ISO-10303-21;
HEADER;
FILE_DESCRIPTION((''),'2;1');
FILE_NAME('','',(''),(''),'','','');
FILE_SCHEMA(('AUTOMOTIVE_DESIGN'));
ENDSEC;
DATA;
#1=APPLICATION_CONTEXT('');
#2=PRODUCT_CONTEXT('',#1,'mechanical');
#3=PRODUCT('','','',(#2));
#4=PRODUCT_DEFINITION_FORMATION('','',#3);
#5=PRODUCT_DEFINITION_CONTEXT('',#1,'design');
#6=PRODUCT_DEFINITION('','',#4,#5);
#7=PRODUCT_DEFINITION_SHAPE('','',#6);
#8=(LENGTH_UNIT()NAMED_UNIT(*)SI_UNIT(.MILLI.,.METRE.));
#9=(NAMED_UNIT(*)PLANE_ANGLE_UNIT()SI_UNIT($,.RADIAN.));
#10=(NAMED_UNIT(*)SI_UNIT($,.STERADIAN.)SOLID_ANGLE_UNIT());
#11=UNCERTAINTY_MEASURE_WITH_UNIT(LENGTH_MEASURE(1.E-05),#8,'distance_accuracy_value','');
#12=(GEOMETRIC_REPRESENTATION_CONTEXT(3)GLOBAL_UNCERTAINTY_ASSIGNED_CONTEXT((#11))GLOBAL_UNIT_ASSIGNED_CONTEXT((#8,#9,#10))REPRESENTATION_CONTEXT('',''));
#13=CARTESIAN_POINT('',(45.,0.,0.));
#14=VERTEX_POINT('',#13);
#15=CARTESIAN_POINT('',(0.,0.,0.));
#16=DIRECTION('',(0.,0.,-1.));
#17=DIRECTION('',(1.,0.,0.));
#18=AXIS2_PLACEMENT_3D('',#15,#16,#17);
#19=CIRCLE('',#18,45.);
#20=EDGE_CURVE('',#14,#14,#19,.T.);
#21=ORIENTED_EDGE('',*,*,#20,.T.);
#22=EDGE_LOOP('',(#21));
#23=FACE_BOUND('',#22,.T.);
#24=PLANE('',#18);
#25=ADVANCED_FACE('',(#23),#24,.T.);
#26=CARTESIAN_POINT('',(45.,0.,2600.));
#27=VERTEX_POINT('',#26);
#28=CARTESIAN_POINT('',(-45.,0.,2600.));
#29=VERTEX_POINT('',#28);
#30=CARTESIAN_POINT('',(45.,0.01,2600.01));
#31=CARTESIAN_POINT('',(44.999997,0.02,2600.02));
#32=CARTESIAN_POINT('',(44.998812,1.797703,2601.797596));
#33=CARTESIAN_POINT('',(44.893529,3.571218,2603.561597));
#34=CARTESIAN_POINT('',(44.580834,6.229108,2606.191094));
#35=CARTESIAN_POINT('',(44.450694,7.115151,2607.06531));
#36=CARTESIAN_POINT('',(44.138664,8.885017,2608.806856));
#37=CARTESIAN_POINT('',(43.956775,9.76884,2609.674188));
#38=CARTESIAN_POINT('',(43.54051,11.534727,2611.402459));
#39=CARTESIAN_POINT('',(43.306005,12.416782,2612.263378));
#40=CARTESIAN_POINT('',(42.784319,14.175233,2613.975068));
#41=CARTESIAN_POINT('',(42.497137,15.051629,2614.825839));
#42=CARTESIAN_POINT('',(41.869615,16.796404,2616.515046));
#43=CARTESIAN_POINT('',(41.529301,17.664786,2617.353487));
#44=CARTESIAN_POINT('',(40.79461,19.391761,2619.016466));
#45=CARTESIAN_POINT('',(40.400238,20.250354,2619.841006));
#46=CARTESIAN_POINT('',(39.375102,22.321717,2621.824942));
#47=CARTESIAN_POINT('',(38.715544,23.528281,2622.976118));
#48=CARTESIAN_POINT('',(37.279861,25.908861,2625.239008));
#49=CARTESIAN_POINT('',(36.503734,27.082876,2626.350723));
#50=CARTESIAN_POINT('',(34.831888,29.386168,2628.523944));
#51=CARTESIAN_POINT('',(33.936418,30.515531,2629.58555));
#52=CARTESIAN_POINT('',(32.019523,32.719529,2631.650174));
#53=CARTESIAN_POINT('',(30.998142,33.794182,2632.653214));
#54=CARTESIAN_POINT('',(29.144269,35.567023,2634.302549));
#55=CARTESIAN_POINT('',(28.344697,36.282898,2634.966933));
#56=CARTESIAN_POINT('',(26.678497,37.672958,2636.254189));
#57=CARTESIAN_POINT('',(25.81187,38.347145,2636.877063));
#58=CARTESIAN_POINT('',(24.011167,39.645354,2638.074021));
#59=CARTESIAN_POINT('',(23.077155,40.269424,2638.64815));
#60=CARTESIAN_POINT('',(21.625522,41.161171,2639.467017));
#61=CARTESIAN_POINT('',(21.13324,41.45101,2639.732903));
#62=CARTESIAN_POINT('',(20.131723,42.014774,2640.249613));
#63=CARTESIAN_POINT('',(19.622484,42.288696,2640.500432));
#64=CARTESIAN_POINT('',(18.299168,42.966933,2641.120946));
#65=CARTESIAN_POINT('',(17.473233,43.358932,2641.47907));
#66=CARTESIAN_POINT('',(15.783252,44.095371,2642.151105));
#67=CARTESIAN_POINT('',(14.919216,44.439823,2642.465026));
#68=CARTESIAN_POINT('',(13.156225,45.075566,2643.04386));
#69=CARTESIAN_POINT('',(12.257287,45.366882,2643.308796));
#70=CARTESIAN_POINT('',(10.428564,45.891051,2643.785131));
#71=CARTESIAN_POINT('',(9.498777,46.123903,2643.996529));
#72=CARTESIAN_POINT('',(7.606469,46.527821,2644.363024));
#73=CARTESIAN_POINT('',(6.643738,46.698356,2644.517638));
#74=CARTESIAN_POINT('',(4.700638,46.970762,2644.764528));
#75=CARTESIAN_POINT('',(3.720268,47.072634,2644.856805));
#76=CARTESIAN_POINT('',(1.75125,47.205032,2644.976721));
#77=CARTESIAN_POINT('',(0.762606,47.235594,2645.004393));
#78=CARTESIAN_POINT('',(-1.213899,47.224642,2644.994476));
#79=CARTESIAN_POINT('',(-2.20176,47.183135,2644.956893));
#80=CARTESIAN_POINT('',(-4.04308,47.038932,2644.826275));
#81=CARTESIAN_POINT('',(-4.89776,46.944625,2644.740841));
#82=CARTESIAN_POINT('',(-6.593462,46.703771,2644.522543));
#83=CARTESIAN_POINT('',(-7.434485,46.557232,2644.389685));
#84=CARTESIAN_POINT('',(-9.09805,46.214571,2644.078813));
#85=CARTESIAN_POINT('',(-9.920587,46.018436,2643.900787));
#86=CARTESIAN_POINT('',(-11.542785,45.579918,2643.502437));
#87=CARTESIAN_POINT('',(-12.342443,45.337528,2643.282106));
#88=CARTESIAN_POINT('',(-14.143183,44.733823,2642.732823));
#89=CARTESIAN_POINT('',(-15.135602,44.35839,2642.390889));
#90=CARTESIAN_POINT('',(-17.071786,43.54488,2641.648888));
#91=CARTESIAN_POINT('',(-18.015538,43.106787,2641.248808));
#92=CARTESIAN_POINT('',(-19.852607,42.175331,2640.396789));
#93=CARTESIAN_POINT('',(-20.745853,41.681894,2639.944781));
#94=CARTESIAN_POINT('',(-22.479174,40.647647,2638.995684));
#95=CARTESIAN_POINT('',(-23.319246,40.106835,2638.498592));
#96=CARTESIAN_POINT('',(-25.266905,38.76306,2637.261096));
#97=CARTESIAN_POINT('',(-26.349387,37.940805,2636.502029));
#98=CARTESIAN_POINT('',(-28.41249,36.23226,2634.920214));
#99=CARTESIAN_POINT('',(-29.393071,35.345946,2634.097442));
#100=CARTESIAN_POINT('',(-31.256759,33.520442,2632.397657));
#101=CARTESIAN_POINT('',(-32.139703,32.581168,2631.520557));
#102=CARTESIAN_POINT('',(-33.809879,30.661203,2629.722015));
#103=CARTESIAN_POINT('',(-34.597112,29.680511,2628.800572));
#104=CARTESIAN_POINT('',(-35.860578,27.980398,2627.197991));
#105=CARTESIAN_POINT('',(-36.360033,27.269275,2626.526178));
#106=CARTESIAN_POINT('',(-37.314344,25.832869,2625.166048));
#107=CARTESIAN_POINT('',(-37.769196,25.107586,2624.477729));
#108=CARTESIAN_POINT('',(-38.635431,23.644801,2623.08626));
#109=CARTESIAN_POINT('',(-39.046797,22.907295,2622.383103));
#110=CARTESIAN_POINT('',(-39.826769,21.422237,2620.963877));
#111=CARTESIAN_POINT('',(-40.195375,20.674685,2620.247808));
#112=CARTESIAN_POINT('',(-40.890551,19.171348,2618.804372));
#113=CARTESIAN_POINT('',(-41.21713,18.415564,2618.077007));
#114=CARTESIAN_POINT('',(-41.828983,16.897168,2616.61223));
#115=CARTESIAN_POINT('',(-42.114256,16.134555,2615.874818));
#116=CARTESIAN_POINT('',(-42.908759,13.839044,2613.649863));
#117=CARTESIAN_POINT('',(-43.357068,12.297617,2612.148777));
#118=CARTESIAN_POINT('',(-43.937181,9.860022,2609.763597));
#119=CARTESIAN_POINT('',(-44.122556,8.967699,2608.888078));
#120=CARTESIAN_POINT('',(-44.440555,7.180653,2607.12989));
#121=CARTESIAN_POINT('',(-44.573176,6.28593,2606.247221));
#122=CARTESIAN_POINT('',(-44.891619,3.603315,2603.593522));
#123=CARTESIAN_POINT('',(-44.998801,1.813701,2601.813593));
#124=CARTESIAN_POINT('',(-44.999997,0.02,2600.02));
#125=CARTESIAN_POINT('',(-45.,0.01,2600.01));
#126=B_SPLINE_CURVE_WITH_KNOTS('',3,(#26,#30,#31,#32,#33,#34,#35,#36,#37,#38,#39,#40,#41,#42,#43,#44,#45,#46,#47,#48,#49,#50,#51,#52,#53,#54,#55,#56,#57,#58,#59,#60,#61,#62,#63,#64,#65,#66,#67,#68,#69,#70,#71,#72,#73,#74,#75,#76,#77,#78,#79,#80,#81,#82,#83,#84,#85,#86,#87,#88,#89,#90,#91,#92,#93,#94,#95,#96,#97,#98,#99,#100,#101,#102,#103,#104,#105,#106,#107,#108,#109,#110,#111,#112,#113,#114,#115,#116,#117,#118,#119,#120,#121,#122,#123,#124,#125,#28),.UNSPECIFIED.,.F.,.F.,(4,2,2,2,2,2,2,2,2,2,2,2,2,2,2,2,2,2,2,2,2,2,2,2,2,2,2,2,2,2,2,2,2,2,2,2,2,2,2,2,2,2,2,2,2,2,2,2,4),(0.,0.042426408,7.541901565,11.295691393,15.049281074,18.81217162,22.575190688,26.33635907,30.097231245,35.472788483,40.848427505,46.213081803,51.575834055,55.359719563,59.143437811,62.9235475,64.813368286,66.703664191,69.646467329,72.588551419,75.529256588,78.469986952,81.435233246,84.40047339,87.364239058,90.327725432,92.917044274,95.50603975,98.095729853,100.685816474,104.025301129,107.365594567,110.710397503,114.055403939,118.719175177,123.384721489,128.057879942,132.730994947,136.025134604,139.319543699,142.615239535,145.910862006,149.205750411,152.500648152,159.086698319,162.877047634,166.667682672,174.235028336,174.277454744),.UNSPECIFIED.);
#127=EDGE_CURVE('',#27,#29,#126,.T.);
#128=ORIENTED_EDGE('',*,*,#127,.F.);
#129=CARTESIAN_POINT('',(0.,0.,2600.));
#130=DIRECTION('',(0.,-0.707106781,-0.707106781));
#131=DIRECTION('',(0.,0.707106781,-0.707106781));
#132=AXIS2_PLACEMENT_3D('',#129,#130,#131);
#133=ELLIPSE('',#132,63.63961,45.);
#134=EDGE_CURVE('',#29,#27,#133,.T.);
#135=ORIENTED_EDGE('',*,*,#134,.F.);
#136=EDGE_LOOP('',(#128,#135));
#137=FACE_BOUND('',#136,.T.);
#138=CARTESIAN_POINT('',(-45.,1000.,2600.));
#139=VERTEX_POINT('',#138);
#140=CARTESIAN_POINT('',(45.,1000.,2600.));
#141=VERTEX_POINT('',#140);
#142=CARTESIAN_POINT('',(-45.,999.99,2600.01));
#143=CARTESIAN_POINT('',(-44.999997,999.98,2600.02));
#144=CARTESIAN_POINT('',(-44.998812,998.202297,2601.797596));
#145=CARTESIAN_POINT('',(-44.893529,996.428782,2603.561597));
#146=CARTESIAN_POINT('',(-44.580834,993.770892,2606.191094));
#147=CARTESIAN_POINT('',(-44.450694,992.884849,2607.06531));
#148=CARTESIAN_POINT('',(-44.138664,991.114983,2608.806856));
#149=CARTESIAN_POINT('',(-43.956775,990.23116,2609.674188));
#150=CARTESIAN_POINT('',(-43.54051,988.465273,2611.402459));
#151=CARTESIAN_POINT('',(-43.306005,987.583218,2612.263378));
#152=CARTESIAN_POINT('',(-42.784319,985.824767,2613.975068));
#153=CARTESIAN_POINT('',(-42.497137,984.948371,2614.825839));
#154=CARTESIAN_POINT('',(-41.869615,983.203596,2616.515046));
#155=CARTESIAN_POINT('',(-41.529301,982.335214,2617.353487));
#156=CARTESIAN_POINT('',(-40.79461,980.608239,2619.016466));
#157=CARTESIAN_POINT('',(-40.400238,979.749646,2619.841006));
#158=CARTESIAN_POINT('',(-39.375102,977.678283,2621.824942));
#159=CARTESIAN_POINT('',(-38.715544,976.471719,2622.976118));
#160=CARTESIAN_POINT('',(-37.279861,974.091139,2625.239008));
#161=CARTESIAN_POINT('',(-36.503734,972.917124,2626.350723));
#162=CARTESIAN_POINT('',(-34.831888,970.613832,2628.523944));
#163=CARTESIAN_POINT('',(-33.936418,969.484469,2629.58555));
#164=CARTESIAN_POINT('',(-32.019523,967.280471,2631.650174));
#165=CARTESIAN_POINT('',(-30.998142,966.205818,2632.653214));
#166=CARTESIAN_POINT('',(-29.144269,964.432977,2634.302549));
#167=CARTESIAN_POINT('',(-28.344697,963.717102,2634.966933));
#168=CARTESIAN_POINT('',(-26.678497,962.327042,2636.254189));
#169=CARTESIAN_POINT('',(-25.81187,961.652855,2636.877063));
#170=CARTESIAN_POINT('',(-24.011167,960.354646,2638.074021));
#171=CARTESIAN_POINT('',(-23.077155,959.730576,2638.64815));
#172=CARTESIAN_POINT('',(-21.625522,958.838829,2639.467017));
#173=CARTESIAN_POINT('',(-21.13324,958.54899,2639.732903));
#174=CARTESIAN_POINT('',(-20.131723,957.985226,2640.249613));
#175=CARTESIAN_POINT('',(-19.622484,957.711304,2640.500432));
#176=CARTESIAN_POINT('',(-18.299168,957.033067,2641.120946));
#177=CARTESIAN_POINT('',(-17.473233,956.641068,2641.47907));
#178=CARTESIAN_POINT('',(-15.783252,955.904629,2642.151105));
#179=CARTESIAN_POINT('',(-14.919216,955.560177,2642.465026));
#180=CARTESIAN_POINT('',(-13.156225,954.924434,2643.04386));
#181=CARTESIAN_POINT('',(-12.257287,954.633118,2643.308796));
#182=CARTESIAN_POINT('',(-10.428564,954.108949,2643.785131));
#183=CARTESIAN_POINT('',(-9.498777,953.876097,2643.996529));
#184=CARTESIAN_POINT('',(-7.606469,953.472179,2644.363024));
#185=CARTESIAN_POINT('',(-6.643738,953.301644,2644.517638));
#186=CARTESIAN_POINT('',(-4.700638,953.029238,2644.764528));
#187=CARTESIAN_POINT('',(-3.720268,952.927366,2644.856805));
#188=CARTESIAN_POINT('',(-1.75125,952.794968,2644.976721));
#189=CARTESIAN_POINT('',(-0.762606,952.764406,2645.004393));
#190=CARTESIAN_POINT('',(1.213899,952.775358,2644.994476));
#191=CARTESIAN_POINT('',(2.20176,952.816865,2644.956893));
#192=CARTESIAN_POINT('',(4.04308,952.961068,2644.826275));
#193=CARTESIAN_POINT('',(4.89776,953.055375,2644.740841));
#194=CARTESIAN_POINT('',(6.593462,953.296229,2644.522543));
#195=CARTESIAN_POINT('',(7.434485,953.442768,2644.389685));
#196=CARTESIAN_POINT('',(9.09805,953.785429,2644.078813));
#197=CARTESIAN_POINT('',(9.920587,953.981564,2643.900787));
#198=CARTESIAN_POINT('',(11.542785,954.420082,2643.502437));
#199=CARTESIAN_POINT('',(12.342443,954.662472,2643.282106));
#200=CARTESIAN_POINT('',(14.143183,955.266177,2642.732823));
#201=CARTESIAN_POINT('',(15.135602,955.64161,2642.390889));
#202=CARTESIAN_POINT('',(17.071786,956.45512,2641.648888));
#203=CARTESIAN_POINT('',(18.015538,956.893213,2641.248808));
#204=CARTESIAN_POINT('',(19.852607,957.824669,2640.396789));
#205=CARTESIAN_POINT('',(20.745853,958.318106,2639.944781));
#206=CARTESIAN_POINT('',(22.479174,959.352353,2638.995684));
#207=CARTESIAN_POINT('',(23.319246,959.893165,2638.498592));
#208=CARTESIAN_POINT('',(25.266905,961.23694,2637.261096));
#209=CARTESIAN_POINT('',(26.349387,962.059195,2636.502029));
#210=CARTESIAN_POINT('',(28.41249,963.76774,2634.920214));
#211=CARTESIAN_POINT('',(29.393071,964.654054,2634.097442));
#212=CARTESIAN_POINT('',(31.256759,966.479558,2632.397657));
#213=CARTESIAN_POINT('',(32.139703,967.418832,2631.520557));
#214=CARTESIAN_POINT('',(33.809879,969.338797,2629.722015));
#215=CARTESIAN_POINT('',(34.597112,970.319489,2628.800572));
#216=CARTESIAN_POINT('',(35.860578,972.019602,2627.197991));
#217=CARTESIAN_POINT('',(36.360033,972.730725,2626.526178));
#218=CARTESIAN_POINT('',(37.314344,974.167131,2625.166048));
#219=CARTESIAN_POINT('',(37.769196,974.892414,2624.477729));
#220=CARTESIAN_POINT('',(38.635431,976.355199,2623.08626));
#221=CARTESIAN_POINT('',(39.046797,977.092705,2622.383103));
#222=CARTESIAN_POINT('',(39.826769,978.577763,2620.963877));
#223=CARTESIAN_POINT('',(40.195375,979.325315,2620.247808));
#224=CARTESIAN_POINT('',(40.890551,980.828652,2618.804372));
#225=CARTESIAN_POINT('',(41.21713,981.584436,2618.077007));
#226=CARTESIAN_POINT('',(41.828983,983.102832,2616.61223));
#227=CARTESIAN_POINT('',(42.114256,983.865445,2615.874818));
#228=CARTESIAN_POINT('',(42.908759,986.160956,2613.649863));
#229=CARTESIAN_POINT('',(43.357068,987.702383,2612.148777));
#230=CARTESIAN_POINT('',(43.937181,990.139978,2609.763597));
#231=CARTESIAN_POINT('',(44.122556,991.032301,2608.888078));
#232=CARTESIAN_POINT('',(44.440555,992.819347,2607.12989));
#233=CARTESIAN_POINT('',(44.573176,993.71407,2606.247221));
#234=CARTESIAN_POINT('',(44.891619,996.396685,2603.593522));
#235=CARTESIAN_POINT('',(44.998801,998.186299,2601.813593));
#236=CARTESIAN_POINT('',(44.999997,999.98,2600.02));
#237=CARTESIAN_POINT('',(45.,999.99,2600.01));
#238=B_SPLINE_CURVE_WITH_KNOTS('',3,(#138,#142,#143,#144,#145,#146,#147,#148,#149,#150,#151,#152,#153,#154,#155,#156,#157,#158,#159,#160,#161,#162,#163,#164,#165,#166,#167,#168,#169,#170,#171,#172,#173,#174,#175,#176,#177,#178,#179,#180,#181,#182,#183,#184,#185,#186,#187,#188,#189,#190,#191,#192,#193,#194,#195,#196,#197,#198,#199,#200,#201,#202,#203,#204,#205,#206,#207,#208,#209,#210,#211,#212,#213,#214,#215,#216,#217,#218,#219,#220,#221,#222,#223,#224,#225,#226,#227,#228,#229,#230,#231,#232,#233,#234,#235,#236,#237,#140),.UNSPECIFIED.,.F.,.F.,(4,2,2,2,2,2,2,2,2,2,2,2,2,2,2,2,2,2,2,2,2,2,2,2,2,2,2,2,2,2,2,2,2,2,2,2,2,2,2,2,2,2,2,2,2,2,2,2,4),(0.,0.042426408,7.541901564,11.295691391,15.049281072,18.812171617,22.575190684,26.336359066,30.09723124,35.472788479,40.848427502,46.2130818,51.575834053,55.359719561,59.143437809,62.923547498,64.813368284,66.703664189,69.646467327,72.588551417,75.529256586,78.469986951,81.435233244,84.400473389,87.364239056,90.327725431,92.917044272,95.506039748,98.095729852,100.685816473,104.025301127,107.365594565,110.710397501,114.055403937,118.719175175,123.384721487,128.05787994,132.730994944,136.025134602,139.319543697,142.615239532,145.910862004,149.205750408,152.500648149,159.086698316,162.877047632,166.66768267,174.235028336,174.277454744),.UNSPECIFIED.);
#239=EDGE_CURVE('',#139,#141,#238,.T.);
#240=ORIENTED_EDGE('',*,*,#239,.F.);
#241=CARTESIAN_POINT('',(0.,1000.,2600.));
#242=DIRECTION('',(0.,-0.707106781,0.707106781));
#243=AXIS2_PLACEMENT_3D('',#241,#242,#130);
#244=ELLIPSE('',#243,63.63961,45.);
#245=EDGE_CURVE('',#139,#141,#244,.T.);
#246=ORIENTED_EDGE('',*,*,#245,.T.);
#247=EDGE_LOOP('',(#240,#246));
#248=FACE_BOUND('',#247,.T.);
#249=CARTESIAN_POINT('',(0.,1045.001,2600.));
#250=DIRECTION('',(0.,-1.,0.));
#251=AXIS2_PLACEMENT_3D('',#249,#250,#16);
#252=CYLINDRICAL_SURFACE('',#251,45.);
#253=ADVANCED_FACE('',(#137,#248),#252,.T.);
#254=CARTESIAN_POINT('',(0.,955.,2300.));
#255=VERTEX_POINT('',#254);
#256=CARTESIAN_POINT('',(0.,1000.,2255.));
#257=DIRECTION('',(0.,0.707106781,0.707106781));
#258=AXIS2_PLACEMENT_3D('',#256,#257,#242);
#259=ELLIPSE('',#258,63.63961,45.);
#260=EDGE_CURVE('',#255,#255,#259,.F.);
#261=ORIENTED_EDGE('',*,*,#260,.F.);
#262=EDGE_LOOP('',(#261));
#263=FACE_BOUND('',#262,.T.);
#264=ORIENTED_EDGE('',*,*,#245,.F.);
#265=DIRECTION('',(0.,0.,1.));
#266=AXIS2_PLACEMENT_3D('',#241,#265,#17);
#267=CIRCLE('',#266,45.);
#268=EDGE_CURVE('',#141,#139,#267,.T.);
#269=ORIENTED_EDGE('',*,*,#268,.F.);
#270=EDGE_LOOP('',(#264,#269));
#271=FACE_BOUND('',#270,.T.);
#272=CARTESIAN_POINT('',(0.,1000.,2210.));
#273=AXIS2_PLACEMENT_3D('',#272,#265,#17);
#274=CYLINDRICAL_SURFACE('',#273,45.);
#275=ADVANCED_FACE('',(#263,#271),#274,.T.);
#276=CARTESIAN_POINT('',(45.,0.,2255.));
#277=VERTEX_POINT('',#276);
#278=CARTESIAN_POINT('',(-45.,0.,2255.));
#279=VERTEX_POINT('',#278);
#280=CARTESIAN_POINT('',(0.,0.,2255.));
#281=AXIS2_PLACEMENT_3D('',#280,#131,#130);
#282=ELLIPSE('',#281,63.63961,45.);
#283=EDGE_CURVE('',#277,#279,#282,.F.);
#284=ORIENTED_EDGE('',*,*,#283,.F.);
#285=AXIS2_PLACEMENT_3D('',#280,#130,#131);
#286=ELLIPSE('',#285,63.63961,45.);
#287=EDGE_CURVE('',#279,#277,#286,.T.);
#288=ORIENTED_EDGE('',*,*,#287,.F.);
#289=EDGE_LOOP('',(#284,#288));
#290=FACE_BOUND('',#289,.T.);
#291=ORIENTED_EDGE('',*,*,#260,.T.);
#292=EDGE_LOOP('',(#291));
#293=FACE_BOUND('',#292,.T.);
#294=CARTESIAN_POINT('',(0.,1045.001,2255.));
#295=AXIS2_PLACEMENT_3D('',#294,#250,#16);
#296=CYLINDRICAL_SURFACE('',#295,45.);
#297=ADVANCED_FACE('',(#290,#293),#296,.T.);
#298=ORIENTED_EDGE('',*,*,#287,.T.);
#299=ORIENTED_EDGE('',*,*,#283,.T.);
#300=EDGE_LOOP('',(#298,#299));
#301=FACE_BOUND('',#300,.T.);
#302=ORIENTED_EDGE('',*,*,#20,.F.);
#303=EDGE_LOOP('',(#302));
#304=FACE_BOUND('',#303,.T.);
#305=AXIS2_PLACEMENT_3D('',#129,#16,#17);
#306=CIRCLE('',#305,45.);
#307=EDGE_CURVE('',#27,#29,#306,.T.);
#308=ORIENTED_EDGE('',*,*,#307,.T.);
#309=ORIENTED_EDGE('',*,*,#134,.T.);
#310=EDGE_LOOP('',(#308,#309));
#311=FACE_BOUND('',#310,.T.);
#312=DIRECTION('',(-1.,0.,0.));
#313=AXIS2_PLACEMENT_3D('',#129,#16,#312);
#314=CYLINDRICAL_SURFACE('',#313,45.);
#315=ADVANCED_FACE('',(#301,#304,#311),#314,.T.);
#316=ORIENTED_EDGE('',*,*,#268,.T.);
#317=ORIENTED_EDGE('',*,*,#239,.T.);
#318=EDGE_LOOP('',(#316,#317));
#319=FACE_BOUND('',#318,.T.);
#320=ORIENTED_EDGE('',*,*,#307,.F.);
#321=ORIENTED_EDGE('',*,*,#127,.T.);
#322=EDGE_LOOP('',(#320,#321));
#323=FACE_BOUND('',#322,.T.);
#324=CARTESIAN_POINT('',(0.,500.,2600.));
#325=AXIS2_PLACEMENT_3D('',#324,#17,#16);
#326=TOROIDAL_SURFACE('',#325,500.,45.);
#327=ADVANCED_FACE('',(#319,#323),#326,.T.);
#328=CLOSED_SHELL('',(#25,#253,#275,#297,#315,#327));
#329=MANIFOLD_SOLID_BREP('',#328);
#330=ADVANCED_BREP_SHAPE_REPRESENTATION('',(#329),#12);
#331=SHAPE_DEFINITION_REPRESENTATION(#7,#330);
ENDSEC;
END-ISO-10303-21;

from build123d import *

# Parameters (mm, degrees)
SWEEP1_PROFILE_R        = 45
CUT_EXTRUDE1_DEPTH      = 3315.373998336
CUT_EXTRUDE1_DEPTH_BACK = 3315.373998336
BOSS_EXTRUDE1_REACH     = 3316.374
SKETCH8_R               = 45


with BuildPart() as part:
    # Sweep1: sweep along a path in Sketch1
    with BuildLine(Plane.YZ) as sweep1_path:
        Line((0, 0), (0, 2600))
        ThreePointArc((0, 2600), (500, 3100), (1000, 2600))
        Line((1000, 2600), (1000, 2210))
    # Sweep1 profile (on start of the path) → Sweep1 (sweep)
    with BuildSketch(Plane.XY):
        Circle(SWEEP1_PROFILE_R)
    sweep(path=sweep1_path.line)

    # Sketch9 → Cut-Extrude1 (cut, two sides: drawn at the far end of the back side and taken through both)
    with BuildSketch(Plane.YZ.offset(-CUT_EXTRUDE1_DEPTH_BACK)):
        Polygon((1045, 2210), (955, 2300), (955, 2210), align=None)
    extrude(amount=CUT_EXTRUDE1_DEPTH + CUT_EXTRUDE1_DEPTH_BACK, mode=Mode.SUBTRACT)

    # Sketch8 → Boss-Extrude1 (add, up to next)
    with BuildSketch(Plane(origin=(0, 0, 0), x_dir=(-1, 0, 0), z_dir=(0, 1, 0)), mode=Mode.PRIVATE) as boss_extrude1_sk1:
        with Locations((0, 2600)):
            Circle(SKETCH8_R)
    boss_extrude1_tool1 = extrude(boss_extrude1_sk1.sketch, amount=BOSS_EXTRUDE1_REACH, mode=Mode.PRIVATE) - part.part
    # Sketch8 → Boss-Extrude1 (add, up to next)
    with BuildSketch(Plane(origin=(0, 0, 0), x_dir=(-1, 0, 0), z_dir=(0, 1, 0)), mode=Mode.PRIVATE) as boss_extrude1_sk2:
        with Locations(Location((0, 2255, 0), (0, 0, 180))):
            Circle(SKETCH8_R)
    boss_extrude1_tool2 = extrude(boss_extrude1_sk2.sketch, amount=BOSS_EXTRUDE1_REACH, mode=Mode.PRIVATE) - part.part
    add(boss_extrude1_tool1.solids().sort_by_distance((0, 0, 2600))[0])
    add(boss_extrude1_tool2.solids().sort_by_distance((0, 0, 2255))[0])


solid = part.part
